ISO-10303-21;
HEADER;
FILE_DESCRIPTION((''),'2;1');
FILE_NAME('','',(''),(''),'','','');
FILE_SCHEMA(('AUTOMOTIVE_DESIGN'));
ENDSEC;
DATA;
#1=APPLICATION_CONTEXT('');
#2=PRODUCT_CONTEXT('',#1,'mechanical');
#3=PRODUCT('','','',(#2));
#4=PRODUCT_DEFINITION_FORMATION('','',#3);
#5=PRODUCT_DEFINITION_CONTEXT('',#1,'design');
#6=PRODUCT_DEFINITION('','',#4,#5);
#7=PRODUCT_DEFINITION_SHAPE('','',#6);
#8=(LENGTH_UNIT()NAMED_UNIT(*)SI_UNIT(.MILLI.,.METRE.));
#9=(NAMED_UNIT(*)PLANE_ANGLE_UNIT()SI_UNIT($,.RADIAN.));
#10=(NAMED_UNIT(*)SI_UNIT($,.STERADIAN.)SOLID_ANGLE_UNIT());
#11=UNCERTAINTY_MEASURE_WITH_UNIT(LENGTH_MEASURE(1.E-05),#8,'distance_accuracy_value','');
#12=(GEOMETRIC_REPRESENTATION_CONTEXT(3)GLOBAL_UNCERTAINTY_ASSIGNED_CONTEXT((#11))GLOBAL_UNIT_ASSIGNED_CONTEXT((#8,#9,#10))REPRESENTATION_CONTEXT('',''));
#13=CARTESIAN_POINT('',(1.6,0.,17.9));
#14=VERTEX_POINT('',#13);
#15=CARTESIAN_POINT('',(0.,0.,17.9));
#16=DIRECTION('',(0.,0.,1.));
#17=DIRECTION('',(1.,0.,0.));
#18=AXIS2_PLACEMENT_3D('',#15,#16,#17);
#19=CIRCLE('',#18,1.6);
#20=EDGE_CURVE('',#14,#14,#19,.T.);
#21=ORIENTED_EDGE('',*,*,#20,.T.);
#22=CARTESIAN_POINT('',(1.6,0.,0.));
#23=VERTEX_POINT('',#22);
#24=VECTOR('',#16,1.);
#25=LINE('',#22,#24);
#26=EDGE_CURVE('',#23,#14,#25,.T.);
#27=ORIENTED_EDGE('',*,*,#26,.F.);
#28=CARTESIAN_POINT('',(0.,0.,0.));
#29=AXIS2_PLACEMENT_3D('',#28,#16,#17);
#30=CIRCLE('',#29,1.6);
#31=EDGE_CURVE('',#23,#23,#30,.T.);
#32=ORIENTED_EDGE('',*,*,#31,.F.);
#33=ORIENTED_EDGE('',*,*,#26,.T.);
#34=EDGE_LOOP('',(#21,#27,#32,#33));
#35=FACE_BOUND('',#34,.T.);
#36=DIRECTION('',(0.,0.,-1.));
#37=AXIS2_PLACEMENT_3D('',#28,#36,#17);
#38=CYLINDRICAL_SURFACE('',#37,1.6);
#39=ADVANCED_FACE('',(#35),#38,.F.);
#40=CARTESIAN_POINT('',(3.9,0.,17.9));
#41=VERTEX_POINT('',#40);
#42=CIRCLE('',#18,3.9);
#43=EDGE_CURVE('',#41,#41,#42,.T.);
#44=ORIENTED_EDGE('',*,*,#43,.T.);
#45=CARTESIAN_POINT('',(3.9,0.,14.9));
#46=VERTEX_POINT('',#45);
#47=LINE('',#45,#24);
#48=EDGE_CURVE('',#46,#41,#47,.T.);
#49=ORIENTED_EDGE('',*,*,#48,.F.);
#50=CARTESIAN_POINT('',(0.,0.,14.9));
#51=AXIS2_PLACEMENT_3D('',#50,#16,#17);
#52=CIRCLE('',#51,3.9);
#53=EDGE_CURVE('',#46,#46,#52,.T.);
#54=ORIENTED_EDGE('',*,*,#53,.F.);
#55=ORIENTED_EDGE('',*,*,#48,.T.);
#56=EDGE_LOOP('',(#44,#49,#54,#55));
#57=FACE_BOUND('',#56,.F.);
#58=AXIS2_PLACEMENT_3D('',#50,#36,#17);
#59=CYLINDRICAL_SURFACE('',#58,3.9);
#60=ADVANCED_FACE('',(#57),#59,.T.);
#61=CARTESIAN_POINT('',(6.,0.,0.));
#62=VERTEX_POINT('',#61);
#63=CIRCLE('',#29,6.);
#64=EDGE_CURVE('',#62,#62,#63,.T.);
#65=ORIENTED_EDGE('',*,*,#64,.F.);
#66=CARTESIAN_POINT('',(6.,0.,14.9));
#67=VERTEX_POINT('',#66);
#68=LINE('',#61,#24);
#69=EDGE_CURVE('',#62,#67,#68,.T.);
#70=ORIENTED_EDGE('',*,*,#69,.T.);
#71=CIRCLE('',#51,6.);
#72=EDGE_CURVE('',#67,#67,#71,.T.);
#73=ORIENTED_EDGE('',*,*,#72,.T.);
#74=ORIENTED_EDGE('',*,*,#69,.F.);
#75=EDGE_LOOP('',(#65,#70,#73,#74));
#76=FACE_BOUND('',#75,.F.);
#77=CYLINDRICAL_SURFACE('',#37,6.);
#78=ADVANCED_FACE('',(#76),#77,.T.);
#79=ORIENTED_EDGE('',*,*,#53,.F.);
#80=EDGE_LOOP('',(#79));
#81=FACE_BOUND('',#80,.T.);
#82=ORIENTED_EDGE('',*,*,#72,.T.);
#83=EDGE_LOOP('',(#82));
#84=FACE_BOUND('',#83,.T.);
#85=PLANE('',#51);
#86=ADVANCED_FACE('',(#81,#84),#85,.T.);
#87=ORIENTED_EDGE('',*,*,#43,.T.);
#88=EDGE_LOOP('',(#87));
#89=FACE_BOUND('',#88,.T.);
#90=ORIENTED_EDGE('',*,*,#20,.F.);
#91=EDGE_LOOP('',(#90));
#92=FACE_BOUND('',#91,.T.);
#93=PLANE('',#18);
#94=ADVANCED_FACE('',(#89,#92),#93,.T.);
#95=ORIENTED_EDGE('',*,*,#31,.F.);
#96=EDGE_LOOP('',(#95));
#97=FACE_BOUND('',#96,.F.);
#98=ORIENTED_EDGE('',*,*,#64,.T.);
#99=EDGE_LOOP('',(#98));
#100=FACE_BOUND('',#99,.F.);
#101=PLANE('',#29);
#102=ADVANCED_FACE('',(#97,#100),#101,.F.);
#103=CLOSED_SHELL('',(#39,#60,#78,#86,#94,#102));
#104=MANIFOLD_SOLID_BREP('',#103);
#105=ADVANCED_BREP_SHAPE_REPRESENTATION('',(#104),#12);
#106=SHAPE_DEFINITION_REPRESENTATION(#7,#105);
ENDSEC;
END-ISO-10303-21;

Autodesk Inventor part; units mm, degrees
ref_plane "YZ Plane" through (0, 0, 0) normal (1, 0, 0) x (0, 1, 0)
ref_plane "XZ Plane" through (0, 0, 0) normal (0, 1, 0) x (-1, 0, 0)
ref_plane "XY Plane" through (0, 0, 0) normal (0, 0, 1) x (1, 0, 0)
sketch "Sketch1" plane through (0, 0, 0) normal (0, 0, 1) x (1, 0, 0)
  circle A0 centre (0, 0) radius 1.6
  circle A1 centre (0, 0) radius 6
  dimension "d0" = 3.2
  dimension "d1" = 12
extrude "Extrusion1" add sketch "Sketch1" along normal blind 14.9
sketch "Sketch2" plane through (0, 0, 14.9) normal (0, 0, 1) x (1, 0, 0)
  circle A0 centre (0, 0) radius 3.9
  circle A1 centre (0, 0) radius 1.6 projected
  dimension "d4" = 7.8
extrude "Extrusion2" add sketch "Sketch2" along normal blind 3
properties part number "spacer 14_9"
